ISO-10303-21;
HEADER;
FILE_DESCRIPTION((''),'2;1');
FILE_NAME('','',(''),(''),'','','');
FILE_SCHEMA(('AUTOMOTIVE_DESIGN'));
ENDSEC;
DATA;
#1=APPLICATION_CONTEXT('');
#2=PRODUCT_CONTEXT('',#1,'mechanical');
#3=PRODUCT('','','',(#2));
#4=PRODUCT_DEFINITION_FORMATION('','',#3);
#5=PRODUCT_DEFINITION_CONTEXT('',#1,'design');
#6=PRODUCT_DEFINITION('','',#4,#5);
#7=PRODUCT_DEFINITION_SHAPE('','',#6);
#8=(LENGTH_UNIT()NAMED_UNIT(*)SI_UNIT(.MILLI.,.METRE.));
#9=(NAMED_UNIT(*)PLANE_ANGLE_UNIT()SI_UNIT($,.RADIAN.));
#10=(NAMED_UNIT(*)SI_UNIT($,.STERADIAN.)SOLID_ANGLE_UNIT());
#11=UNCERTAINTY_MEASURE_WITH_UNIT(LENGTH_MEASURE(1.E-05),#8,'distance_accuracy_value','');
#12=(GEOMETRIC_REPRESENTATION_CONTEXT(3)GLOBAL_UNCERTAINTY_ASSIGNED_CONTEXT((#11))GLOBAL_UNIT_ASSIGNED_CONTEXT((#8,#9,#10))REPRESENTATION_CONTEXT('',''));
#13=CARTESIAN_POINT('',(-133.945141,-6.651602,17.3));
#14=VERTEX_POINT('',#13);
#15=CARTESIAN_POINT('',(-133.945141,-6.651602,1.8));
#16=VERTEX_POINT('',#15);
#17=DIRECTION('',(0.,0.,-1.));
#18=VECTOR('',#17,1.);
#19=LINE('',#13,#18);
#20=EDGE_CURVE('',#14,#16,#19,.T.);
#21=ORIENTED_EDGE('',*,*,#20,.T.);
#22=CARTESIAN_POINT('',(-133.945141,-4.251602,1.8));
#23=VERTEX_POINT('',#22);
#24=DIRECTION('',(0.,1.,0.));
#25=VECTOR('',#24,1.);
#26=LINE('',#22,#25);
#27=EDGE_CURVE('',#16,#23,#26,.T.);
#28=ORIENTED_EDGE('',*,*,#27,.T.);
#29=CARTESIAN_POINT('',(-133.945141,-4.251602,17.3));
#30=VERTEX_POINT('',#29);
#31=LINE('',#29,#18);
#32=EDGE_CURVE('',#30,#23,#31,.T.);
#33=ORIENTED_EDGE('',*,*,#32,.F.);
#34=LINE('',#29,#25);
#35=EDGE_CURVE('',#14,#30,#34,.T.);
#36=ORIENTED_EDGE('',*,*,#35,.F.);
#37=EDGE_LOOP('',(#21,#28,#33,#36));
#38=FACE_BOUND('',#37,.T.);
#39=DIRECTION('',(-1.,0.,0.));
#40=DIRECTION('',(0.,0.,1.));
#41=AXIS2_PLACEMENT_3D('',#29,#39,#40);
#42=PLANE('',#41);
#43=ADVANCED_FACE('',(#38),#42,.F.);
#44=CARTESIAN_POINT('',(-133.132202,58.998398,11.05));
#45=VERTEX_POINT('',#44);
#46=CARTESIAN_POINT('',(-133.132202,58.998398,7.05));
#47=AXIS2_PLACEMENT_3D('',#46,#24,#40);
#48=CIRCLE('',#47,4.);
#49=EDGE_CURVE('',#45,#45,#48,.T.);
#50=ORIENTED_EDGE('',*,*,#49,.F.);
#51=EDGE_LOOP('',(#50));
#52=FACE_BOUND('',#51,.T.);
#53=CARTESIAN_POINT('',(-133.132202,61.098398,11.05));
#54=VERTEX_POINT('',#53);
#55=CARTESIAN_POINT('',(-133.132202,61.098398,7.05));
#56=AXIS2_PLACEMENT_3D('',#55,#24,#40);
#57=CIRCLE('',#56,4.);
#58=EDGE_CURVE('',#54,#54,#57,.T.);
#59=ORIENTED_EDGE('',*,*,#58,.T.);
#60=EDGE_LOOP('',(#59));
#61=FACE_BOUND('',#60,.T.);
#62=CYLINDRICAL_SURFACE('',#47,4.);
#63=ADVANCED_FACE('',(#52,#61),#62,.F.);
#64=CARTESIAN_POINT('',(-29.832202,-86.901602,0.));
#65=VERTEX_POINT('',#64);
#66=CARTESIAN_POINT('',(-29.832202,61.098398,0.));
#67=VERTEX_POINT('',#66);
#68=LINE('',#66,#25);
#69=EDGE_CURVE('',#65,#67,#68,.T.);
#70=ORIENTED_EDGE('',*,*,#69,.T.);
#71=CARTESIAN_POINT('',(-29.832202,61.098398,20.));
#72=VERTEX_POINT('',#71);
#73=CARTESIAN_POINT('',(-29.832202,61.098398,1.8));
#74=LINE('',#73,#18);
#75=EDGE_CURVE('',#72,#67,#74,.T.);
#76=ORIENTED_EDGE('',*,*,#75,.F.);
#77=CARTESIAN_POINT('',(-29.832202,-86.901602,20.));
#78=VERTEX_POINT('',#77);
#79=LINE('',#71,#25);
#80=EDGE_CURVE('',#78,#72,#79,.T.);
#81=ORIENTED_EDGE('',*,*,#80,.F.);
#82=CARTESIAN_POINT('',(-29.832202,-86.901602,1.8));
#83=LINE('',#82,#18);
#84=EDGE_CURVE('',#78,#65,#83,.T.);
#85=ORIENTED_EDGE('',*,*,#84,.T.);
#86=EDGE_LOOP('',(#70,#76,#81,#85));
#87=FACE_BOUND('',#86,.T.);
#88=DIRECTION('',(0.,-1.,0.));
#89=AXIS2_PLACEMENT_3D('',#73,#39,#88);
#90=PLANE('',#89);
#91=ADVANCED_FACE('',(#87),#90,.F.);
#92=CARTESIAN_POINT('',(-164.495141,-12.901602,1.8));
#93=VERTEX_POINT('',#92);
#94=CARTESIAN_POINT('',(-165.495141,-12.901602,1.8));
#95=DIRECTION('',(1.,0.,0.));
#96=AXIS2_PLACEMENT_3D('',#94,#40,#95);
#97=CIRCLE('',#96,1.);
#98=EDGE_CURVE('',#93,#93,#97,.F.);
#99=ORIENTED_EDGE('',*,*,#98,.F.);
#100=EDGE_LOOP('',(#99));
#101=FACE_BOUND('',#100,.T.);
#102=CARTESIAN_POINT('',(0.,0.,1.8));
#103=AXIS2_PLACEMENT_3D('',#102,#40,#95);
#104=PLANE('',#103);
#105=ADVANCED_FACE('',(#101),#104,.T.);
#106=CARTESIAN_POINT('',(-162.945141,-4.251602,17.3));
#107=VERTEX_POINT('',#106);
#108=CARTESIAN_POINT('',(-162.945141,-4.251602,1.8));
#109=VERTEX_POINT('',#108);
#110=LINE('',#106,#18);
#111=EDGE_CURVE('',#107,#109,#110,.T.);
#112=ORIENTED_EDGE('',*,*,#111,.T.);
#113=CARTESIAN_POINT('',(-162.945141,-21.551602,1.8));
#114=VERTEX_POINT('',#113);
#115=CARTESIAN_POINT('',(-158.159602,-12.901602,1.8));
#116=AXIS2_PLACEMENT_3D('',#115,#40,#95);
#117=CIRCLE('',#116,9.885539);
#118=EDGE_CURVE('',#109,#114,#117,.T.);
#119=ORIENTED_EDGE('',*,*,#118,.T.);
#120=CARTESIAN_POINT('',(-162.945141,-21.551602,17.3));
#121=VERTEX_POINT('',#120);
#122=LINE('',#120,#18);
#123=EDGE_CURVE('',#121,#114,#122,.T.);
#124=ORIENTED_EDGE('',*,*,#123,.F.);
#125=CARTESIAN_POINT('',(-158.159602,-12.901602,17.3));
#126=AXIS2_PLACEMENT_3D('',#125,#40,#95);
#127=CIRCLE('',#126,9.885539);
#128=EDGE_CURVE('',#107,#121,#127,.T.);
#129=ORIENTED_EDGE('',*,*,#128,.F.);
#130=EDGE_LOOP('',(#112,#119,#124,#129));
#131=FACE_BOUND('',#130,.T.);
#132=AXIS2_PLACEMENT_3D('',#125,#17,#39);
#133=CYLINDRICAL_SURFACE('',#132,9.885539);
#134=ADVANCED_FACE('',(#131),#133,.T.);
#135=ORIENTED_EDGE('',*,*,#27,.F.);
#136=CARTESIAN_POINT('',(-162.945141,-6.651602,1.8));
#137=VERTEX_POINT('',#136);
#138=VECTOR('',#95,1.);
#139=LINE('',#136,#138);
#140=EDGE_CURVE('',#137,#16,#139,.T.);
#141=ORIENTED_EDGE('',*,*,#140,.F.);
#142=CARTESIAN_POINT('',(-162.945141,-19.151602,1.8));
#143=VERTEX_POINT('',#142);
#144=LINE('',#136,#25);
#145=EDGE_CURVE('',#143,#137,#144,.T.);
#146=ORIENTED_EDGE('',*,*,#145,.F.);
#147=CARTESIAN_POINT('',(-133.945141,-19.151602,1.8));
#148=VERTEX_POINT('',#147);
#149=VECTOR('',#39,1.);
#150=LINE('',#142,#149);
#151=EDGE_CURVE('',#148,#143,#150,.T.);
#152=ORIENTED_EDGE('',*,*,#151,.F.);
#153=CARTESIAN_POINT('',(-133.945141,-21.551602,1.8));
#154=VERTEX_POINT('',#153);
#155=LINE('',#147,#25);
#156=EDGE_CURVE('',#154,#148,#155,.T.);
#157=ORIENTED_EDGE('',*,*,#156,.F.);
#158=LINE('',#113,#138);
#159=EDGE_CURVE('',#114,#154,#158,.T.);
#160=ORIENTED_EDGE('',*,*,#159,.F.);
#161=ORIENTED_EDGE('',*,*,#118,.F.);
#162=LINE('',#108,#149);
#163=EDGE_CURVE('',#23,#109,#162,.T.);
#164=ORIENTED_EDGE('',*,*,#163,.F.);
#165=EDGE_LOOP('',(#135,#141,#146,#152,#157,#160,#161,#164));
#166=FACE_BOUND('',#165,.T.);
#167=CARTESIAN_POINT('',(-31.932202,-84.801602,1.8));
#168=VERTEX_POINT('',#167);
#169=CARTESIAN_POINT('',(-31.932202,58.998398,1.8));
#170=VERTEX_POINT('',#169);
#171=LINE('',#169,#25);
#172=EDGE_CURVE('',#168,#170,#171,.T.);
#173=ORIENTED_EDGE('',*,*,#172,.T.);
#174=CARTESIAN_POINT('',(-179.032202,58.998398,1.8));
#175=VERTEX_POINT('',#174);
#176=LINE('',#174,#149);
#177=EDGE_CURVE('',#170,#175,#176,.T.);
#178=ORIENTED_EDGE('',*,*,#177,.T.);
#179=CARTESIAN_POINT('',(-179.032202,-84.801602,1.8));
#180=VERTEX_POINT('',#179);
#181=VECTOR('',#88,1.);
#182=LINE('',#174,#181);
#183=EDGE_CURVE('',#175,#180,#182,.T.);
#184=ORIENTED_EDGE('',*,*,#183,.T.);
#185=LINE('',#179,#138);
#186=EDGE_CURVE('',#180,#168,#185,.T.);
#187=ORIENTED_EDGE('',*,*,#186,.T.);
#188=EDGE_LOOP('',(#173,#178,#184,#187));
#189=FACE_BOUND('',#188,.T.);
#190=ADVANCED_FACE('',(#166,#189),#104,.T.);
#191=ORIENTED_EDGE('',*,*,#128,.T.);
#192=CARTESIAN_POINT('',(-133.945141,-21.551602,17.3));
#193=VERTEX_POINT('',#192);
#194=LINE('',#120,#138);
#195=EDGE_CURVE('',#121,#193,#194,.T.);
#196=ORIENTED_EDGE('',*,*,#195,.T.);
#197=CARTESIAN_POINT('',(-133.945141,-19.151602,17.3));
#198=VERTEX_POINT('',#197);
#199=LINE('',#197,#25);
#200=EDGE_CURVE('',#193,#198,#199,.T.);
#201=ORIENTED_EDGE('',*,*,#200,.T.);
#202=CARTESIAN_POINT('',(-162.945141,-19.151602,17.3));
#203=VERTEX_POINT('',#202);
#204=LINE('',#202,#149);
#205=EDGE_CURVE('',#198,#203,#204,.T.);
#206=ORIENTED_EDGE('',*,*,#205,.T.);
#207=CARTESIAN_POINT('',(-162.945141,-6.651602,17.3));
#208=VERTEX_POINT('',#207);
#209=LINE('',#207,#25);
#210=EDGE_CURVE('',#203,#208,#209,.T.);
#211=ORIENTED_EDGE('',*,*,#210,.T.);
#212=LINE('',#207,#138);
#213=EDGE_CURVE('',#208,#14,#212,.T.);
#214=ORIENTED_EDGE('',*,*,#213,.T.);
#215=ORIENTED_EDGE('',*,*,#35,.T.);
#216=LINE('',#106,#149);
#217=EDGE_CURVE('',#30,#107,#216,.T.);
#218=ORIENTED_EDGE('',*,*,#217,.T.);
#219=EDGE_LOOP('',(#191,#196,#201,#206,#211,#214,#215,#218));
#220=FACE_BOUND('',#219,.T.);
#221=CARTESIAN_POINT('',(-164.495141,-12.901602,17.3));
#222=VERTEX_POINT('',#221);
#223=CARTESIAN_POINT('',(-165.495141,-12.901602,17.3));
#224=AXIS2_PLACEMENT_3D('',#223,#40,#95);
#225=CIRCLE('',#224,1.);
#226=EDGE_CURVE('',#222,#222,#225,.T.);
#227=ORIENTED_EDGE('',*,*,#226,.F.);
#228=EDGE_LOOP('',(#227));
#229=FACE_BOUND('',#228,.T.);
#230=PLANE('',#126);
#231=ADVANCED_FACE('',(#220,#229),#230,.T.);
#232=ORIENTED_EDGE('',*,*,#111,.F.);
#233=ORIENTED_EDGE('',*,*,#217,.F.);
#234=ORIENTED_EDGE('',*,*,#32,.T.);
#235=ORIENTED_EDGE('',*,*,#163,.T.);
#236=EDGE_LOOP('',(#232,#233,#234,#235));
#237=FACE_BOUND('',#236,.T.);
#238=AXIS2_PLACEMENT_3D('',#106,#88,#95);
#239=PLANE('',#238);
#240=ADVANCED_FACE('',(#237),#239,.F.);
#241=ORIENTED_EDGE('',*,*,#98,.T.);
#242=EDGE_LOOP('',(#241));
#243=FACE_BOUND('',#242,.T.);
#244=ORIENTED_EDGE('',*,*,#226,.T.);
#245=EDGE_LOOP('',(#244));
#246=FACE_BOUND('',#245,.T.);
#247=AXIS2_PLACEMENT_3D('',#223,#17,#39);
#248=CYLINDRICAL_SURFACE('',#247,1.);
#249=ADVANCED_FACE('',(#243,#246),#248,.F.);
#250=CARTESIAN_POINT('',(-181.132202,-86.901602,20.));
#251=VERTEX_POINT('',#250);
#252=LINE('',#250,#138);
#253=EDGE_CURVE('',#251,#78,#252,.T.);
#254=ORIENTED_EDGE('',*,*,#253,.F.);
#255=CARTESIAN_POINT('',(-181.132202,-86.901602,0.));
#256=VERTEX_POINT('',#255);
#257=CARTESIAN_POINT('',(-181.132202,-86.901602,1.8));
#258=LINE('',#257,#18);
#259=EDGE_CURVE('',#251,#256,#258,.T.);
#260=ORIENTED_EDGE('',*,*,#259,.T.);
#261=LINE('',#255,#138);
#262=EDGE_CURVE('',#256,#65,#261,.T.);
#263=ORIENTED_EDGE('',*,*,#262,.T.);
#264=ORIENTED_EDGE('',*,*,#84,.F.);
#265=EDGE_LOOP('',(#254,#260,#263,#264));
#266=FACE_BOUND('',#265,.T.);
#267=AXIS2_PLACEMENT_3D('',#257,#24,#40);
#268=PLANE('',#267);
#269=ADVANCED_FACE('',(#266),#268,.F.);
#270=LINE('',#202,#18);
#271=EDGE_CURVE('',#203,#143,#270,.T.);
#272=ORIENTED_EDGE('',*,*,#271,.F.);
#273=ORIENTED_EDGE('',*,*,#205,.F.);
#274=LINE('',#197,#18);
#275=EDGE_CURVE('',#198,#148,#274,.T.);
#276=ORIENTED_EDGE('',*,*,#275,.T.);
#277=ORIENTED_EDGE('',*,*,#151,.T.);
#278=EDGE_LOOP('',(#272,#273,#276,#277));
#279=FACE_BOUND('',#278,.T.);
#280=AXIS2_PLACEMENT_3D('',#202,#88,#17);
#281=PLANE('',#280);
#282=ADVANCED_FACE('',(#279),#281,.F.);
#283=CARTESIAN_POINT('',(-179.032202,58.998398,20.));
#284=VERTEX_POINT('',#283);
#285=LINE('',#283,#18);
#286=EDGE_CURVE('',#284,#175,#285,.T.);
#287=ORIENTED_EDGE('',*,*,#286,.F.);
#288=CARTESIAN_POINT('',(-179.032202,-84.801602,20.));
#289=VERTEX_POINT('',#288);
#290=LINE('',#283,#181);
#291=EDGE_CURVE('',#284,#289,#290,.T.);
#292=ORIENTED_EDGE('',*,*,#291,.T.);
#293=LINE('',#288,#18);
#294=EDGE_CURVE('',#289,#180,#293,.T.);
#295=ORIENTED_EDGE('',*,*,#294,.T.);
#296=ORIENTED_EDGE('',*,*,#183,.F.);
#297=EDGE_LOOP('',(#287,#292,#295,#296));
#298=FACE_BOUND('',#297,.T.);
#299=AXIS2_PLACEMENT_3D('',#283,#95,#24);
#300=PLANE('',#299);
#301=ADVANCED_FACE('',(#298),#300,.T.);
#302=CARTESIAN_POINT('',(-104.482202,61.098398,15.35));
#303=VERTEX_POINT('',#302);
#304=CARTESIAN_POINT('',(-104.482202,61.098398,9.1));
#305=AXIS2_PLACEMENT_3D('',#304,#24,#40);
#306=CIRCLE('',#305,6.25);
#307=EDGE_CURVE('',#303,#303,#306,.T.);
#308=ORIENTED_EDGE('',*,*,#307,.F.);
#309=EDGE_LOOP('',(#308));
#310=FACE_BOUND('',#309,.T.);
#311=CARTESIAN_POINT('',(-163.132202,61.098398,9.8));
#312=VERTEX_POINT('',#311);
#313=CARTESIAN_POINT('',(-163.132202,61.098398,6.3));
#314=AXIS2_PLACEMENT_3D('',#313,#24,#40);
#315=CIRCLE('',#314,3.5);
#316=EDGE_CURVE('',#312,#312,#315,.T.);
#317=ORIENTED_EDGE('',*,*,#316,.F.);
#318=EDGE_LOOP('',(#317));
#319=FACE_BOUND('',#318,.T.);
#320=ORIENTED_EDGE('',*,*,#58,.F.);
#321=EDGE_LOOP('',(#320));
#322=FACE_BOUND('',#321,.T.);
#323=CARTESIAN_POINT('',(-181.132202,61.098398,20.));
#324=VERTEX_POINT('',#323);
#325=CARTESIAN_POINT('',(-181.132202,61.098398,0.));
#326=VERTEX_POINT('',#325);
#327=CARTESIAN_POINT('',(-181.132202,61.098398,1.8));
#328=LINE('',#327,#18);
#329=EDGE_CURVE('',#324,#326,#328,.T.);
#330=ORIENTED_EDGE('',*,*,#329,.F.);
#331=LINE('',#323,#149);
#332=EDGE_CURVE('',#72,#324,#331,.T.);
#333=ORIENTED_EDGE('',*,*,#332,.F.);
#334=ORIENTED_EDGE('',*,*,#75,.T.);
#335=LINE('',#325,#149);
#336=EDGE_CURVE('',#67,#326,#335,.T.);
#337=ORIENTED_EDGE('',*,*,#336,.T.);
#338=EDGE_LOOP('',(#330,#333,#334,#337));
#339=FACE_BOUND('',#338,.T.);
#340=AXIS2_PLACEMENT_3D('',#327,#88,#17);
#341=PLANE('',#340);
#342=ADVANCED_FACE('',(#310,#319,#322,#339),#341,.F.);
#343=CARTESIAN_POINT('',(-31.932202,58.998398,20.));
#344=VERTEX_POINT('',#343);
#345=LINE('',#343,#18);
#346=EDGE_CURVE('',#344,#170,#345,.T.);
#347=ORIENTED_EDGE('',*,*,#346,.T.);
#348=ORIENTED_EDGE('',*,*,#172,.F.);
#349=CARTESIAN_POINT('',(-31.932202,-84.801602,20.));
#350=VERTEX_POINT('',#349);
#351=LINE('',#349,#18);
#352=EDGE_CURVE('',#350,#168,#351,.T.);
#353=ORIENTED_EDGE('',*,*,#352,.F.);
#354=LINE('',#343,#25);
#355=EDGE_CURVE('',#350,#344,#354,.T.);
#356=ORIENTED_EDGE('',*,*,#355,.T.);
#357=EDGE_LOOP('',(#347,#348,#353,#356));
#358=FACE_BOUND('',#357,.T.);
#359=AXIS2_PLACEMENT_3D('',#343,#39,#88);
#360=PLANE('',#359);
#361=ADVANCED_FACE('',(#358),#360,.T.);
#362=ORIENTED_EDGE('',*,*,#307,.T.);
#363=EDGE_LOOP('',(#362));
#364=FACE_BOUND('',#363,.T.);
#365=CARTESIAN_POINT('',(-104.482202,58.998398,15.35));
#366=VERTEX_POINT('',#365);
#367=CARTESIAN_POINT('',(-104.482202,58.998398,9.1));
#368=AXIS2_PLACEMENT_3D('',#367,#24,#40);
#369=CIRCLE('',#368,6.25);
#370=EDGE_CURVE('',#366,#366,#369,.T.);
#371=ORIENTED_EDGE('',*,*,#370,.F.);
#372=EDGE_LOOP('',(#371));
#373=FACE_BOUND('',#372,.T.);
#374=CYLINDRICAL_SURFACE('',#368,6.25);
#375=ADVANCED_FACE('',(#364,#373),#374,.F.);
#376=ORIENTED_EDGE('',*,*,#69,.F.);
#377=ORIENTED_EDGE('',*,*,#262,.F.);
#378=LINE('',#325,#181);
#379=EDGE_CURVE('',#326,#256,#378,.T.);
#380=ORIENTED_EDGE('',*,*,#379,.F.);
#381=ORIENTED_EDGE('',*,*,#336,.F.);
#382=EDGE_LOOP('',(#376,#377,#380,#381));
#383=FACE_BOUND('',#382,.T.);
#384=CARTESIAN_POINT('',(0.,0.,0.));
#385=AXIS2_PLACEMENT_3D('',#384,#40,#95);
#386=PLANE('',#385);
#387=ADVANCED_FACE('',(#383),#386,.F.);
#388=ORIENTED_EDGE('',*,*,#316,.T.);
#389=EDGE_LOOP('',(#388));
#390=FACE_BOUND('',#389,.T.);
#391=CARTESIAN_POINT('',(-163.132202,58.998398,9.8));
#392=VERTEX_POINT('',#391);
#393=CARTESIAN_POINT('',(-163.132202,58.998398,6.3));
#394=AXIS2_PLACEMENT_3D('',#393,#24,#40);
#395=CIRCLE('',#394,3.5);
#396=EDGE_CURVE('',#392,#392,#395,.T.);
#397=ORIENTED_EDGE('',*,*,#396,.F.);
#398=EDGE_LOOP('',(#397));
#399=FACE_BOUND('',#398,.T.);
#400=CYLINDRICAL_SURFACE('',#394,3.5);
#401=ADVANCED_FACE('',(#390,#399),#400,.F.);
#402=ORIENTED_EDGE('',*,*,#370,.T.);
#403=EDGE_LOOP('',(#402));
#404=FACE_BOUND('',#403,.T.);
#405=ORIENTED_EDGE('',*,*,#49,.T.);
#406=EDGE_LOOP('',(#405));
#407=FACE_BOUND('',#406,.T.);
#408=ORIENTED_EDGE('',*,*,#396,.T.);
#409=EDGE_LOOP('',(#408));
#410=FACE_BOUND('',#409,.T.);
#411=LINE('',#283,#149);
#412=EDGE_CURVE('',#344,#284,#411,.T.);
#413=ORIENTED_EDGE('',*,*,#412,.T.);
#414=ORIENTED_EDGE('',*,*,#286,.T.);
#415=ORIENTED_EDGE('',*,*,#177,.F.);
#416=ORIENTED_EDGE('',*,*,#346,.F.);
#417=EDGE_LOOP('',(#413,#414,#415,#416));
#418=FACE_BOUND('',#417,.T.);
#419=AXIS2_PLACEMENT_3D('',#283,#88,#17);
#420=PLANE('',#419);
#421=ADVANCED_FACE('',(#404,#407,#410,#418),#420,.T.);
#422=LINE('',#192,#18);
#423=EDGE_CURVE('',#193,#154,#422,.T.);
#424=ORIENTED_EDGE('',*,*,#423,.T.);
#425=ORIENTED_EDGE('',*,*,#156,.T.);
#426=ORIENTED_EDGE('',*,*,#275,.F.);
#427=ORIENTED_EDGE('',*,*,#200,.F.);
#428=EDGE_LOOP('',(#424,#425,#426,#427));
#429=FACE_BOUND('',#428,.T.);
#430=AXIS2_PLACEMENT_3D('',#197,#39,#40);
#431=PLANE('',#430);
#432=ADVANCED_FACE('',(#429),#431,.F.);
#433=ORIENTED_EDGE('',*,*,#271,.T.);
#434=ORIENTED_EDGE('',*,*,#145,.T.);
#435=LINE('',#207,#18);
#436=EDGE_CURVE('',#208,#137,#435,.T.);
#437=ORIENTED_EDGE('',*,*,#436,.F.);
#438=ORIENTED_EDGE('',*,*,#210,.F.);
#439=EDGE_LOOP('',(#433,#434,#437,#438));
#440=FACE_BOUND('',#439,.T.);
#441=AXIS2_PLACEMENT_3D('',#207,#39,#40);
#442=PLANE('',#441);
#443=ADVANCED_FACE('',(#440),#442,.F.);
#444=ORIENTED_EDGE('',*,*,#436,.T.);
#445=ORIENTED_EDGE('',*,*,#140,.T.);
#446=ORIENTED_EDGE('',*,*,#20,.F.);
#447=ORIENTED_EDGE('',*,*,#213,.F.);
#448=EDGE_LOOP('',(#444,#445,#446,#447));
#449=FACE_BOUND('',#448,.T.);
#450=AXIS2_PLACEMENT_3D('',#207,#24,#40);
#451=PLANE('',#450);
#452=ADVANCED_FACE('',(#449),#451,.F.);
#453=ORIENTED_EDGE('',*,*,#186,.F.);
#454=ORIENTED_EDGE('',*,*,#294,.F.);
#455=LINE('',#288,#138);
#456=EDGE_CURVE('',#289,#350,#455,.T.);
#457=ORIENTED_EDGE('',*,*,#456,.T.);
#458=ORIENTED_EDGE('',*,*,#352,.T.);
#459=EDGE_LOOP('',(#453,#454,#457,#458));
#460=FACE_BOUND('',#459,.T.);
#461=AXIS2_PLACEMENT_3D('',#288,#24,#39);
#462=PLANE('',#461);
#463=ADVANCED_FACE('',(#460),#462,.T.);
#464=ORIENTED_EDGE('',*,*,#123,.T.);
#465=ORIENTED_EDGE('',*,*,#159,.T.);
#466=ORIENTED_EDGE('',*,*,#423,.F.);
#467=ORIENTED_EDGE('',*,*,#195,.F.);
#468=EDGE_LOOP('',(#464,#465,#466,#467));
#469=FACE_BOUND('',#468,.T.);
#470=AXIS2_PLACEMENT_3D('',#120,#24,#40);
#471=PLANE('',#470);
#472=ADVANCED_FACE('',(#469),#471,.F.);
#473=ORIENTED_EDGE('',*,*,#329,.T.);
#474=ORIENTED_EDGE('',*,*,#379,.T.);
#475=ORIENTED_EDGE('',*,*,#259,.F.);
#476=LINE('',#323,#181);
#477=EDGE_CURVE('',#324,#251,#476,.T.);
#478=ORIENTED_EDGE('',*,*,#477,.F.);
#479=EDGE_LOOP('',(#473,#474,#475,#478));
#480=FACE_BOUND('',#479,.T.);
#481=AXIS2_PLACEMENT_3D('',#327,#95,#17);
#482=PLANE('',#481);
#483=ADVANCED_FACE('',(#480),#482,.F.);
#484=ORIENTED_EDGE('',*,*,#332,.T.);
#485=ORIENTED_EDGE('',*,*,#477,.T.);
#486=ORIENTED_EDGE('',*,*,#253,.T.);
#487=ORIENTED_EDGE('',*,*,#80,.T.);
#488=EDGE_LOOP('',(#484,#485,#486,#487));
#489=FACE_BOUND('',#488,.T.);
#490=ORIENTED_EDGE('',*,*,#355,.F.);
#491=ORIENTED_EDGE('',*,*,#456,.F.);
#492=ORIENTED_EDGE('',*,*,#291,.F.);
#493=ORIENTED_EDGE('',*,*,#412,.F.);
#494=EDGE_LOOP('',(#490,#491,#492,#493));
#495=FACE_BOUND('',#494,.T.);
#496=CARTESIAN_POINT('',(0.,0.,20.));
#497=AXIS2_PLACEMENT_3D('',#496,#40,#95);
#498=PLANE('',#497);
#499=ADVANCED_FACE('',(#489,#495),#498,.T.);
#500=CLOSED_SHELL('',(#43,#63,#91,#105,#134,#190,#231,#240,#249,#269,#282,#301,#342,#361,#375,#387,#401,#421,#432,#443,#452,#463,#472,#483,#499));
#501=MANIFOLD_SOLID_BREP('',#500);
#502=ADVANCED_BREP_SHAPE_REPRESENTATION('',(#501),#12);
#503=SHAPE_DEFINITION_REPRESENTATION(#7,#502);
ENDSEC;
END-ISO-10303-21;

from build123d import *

# Parameters (mm, degrees)
CROQUIS1_W              = 151.3
CROQUIS1_H              = 148
SALIENTE_EXTRUIR1_DEPTH = 1.8
CROQUIS2_W              = 151.3
CROQUIS2_H              = 148
CROQUIS2_W_2            = 147.1
CROQUIS2_H_2            = 143.8
SALIENTE_EXTRUIR2_DEPTH = 18.2
CROQUIS4_R              = 6.25
CROQUIS4_R_2            = 3.5
CROQUIS4_R_3            = 4
CORTAR_EXTRUIR1_DEPTH   = 2.1
CROQUIS5_R              = 1
SALIENTE_EXTRUIR3_DEPTH = 15.5


with BuildPart() as part:
    # Croquis1 → Saliente-Extruir1 (new body)
    with BuildSketch(Plane.XY):
        with Locations((-105.482201909, -12.901601831)):
            Rectangle(CROQUIS1_W, CROQUIS1_H)
    extrude(amount=SALIENTE_EXTRUIR1_DEPTH)

    # Croquis2 → Saliente-Extruir2 (add)
    with BuildSketch(Plane.XY.offset(1.8)):
        with Locations((-105.482201909, -12.901601831)):
            Rectangle(CROQUIS2_W, CROQUIS2_H)
        with Locations((-105.482201909, -12.901601831)):
            Rectangle(CROQUIS2_W_2, CROQUIS2_H_2, mode=Mode.SUBTRACT)
    extrude(amount=SALIENTE_EXTRUIR2_DEPTH)

    # Croquis4 → Cortar-Extruir1 (cut)
    with BuildSketch(Plane(origin=(0, 61.098398169, 0), x_dir=(1, 0, 0), z_dir=(0, 1, 0))):
        with Locations(Location((-104.482201909, -9.1, 0), (0, 0, 270))):
            Circle(CROQUIS4_R)
        with Locations(Location((-163.132201909, -6.3, 0), (0, 0, 270))):
            Circle(CROQUIS4_R_2)
        with Locations(Location((-133.132201909, -7.05, 0), (0, 0, 270))):
            Circle(CROQUIS4_R_3)
    extrude(amount=-CORTAR_EXTRUIR1_DEPTH, mode=Mode.SUBTRACT)

    # Croquis5 → Saliente-Extruir3 (add)
    with BuildSketch(Plane.XY.offset(1.8)):
        with BuildLine():
            Line((-133.94514144, -4.251601831), (-133.94514144, -6.651601831))
            Line((-133.94514144, -6.651601831), (-162.94514144, -6.651601831))
            Line((-162.94514144, -6.651601831), (-162.94514144, -19.151601831))
            Line((-162.94514144, -19.151601831), (-133.94514144, -19.151601831))
            Line((-133.94514144, -19.151601831), (-133.94514144, -21.551601831))
            Line((-133.94514144, -21.551601831), (-162.94514144, -21.551601831))
            ThreePointArc((-162.94514144, -21.551601831), (-168.04514144, -12.901601831), (-162.94514144, -4.251601831))
            Line((-162.94514144, -4.251601831), (-133.94514144, -4.251601831))
        make_face()
        with Locations((-165.49514144, -12.901601831)):
            Circle(CROQUIS5_R, mode=Mode.SUBTRACT)
    extrude(amount=SALIENTE_EXTRUIR3_DEPTH)


solid = part.part
